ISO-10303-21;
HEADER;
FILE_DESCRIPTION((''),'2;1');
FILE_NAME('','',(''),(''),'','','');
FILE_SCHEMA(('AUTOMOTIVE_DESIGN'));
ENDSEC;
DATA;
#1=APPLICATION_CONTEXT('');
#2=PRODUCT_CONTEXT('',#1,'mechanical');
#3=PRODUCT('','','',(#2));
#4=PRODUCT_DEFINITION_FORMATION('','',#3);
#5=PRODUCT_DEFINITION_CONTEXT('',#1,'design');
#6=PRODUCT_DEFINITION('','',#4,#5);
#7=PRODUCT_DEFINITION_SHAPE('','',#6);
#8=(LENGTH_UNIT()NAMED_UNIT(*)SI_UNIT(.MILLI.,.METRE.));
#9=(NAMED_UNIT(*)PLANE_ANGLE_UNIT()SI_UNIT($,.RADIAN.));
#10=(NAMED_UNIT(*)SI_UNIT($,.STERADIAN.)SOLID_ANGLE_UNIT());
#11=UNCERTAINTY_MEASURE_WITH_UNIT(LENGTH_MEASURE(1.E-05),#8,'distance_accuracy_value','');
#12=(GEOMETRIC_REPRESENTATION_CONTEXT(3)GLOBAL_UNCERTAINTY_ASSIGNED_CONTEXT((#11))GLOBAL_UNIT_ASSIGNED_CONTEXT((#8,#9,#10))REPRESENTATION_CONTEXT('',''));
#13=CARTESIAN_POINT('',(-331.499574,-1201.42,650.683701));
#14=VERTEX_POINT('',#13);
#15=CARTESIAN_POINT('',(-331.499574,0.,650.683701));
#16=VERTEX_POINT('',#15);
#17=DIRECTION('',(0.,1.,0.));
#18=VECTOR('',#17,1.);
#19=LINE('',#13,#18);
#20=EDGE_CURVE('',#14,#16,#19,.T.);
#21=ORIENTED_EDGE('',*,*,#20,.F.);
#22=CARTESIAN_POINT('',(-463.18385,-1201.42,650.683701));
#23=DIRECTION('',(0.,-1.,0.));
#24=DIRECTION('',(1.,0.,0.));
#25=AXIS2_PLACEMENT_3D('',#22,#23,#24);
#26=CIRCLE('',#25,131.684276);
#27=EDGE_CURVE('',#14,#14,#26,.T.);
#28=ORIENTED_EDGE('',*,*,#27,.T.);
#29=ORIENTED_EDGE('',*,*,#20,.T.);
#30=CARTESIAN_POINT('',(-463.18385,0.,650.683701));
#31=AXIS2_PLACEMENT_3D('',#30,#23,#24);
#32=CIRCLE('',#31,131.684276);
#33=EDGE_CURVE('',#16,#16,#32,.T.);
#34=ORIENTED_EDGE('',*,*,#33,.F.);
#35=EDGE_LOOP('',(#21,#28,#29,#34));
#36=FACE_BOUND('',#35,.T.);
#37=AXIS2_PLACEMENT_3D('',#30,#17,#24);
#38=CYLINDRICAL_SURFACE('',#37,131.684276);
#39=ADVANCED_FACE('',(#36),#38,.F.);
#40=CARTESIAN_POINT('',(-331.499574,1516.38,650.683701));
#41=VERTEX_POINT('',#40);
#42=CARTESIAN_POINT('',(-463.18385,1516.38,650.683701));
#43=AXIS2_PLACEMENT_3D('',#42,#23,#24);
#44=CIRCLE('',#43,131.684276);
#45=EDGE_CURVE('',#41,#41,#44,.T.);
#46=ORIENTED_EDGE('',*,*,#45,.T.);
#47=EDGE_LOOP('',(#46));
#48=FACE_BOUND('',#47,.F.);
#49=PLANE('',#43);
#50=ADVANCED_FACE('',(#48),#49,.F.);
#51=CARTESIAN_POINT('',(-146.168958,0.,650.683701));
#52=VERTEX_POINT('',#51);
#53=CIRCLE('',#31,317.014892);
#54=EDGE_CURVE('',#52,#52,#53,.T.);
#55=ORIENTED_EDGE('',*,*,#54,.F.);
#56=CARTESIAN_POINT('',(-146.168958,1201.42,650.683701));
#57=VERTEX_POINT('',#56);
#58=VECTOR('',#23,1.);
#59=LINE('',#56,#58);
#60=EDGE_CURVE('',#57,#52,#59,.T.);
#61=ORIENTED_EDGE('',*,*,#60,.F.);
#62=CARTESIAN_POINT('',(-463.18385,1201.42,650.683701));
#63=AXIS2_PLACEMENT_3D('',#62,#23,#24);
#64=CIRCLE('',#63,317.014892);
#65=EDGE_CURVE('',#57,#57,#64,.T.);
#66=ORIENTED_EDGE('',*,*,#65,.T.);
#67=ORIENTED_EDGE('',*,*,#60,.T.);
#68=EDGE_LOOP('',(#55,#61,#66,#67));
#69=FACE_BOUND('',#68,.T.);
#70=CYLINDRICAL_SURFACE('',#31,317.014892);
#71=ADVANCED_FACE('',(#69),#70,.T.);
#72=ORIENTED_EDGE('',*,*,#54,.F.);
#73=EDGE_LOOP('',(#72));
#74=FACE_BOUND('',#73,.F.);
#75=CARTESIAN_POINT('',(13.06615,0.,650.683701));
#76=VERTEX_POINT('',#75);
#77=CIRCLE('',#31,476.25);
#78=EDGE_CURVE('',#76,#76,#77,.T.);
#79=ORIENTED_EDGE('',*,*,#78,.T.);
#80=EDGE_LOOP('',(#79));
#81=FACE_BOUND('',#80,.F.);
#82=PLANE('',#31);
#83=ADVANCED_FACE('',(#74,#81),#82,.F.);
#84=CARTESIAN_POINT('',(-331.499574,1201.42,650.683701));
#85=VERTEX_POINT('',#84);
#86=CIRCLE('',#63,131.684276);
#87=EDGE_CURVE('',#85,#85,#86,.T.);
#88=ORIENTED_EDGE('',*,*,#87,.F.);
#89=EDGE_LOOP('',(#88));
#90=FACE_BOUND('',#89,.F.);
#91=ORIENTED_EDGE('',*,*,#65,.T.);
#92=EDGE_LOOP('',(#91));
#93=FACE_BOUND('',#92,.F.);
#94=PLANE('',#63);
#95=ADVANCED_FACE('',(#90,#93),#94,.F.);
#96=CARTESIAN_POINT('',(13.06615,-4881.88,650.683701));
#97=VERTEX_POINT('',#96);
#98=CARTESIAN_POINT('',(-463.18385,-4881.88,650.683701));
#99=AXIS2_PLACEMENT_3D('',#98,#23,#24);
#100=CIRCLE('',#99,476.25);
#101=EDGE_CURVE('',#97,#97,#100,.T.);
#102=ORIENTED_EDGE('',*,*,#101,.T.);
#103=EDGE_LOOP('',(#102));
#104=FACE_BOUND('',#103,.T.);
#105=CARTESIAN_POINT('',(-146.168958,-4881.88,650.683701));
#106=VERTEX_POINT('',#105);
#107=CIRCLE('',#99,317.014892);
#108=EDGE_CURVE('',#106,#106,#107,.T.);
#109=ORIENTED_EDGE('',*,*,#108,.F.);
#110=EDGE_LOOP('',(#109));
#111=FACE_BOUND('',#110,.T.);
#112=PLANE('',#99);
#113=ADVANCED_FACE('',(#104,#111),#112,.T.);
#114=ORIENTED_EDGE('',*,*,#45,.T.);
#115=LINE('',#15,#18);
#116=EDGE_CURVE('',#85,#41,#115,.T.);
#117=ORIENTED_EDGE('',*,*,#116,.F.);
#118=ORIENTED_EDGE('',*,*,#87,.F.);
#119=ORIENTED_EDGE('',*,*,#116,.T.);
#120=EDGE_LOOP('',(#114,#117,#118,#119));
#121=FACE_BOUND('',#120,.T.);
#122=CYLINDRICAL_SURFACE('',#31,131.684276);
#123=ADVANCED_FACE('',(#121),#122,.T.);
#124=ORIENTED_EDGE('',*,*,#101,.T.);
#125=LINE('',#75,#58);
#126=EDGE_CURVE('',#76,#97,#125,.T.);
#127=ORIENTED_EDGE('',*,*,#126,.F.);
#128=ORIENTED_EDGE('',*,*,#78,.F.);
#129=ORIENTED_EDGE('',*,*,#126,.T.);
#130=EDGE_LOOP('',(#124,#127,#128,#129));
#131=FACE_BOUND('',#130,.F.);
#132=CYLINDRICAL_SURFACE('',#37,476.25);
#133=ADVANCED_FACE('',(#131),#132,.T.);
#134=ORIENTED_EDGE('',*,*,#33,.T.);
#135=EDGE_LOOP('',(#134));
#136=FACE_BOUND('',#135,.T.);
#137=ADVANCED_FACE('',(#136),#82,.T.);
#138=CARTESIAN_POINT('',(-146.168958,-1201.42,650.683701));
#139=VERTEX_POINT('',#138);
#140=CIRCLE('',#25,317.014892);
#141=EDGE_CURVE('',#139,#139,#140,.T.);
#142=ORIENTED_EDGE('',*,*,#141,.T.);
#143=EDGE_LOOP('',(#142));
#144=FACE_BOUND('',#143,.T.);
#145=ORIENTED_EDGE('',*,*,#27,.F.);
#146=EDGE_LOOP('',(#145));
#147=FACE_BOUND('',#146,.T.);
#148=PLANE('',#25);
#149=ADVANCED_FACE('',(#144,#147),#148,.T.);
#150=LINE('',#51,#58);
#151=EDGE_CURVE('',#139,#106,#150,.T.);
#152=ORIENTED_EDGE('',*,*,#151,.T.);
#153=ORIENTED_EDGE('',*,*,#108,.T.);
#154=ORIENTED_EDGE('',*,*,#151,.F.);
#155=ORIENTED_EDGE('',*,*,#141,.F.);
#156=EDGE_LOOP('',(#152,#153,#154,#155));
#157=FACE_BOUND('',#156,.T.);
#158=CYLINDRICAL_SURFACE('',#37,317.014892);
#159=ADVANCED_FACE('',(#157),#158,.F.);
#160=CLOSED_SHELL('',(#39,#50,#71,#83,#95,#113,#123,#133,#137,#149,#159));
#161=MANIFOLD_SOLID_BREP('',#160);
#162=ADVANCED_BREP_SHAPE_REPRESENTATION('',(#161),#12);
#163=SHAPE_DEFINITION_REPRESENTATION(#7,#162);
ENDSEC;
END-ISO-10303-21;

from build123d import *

# Parameters (mm, degrees)
F0_R     = 476.25
F0_R_2   = 317.014892
F1_DEPTH = 4881.88
F0_R_3   = 131.684276
F2_DEPTH = 1201.42
F3_DEPTH = 1516.38


with BuildPart() as f1:
    # F0 (on Front) → F1 (new body)
    with BuildSketch(Plane.XZ):
        with Locations((-463.18385, 650.683701)):
            Circle(F0_R)
        with Locations((-463.18385, 650.683701)):
            Circle(F0_R_2, mode=Mode.SUBTRACT)
    extrude(amount=F1_DEPTH)

    # F0 (on Front) → F2 (join, symmetric)
    with BuildSketch(Plane.XZ):
        with Locations((-463.18385, 650.683701)):
            Circle(F0_R_2)
        with Locations((-463.18385, 650.683701)):
            Circle(F0_R_3, mode=Mode.SUBTRACT)
    extrude(amount=F2_DEPTH, both=True)

    # F0 (on Front) → F3 (join)
    with BuildSketch(Plane.XZ):
        with Locations((-463.18385, 650.683701)):
            Circle(F0_R_3)
    extrude(amount=-F3_DEPTH)


solid = f1.part
